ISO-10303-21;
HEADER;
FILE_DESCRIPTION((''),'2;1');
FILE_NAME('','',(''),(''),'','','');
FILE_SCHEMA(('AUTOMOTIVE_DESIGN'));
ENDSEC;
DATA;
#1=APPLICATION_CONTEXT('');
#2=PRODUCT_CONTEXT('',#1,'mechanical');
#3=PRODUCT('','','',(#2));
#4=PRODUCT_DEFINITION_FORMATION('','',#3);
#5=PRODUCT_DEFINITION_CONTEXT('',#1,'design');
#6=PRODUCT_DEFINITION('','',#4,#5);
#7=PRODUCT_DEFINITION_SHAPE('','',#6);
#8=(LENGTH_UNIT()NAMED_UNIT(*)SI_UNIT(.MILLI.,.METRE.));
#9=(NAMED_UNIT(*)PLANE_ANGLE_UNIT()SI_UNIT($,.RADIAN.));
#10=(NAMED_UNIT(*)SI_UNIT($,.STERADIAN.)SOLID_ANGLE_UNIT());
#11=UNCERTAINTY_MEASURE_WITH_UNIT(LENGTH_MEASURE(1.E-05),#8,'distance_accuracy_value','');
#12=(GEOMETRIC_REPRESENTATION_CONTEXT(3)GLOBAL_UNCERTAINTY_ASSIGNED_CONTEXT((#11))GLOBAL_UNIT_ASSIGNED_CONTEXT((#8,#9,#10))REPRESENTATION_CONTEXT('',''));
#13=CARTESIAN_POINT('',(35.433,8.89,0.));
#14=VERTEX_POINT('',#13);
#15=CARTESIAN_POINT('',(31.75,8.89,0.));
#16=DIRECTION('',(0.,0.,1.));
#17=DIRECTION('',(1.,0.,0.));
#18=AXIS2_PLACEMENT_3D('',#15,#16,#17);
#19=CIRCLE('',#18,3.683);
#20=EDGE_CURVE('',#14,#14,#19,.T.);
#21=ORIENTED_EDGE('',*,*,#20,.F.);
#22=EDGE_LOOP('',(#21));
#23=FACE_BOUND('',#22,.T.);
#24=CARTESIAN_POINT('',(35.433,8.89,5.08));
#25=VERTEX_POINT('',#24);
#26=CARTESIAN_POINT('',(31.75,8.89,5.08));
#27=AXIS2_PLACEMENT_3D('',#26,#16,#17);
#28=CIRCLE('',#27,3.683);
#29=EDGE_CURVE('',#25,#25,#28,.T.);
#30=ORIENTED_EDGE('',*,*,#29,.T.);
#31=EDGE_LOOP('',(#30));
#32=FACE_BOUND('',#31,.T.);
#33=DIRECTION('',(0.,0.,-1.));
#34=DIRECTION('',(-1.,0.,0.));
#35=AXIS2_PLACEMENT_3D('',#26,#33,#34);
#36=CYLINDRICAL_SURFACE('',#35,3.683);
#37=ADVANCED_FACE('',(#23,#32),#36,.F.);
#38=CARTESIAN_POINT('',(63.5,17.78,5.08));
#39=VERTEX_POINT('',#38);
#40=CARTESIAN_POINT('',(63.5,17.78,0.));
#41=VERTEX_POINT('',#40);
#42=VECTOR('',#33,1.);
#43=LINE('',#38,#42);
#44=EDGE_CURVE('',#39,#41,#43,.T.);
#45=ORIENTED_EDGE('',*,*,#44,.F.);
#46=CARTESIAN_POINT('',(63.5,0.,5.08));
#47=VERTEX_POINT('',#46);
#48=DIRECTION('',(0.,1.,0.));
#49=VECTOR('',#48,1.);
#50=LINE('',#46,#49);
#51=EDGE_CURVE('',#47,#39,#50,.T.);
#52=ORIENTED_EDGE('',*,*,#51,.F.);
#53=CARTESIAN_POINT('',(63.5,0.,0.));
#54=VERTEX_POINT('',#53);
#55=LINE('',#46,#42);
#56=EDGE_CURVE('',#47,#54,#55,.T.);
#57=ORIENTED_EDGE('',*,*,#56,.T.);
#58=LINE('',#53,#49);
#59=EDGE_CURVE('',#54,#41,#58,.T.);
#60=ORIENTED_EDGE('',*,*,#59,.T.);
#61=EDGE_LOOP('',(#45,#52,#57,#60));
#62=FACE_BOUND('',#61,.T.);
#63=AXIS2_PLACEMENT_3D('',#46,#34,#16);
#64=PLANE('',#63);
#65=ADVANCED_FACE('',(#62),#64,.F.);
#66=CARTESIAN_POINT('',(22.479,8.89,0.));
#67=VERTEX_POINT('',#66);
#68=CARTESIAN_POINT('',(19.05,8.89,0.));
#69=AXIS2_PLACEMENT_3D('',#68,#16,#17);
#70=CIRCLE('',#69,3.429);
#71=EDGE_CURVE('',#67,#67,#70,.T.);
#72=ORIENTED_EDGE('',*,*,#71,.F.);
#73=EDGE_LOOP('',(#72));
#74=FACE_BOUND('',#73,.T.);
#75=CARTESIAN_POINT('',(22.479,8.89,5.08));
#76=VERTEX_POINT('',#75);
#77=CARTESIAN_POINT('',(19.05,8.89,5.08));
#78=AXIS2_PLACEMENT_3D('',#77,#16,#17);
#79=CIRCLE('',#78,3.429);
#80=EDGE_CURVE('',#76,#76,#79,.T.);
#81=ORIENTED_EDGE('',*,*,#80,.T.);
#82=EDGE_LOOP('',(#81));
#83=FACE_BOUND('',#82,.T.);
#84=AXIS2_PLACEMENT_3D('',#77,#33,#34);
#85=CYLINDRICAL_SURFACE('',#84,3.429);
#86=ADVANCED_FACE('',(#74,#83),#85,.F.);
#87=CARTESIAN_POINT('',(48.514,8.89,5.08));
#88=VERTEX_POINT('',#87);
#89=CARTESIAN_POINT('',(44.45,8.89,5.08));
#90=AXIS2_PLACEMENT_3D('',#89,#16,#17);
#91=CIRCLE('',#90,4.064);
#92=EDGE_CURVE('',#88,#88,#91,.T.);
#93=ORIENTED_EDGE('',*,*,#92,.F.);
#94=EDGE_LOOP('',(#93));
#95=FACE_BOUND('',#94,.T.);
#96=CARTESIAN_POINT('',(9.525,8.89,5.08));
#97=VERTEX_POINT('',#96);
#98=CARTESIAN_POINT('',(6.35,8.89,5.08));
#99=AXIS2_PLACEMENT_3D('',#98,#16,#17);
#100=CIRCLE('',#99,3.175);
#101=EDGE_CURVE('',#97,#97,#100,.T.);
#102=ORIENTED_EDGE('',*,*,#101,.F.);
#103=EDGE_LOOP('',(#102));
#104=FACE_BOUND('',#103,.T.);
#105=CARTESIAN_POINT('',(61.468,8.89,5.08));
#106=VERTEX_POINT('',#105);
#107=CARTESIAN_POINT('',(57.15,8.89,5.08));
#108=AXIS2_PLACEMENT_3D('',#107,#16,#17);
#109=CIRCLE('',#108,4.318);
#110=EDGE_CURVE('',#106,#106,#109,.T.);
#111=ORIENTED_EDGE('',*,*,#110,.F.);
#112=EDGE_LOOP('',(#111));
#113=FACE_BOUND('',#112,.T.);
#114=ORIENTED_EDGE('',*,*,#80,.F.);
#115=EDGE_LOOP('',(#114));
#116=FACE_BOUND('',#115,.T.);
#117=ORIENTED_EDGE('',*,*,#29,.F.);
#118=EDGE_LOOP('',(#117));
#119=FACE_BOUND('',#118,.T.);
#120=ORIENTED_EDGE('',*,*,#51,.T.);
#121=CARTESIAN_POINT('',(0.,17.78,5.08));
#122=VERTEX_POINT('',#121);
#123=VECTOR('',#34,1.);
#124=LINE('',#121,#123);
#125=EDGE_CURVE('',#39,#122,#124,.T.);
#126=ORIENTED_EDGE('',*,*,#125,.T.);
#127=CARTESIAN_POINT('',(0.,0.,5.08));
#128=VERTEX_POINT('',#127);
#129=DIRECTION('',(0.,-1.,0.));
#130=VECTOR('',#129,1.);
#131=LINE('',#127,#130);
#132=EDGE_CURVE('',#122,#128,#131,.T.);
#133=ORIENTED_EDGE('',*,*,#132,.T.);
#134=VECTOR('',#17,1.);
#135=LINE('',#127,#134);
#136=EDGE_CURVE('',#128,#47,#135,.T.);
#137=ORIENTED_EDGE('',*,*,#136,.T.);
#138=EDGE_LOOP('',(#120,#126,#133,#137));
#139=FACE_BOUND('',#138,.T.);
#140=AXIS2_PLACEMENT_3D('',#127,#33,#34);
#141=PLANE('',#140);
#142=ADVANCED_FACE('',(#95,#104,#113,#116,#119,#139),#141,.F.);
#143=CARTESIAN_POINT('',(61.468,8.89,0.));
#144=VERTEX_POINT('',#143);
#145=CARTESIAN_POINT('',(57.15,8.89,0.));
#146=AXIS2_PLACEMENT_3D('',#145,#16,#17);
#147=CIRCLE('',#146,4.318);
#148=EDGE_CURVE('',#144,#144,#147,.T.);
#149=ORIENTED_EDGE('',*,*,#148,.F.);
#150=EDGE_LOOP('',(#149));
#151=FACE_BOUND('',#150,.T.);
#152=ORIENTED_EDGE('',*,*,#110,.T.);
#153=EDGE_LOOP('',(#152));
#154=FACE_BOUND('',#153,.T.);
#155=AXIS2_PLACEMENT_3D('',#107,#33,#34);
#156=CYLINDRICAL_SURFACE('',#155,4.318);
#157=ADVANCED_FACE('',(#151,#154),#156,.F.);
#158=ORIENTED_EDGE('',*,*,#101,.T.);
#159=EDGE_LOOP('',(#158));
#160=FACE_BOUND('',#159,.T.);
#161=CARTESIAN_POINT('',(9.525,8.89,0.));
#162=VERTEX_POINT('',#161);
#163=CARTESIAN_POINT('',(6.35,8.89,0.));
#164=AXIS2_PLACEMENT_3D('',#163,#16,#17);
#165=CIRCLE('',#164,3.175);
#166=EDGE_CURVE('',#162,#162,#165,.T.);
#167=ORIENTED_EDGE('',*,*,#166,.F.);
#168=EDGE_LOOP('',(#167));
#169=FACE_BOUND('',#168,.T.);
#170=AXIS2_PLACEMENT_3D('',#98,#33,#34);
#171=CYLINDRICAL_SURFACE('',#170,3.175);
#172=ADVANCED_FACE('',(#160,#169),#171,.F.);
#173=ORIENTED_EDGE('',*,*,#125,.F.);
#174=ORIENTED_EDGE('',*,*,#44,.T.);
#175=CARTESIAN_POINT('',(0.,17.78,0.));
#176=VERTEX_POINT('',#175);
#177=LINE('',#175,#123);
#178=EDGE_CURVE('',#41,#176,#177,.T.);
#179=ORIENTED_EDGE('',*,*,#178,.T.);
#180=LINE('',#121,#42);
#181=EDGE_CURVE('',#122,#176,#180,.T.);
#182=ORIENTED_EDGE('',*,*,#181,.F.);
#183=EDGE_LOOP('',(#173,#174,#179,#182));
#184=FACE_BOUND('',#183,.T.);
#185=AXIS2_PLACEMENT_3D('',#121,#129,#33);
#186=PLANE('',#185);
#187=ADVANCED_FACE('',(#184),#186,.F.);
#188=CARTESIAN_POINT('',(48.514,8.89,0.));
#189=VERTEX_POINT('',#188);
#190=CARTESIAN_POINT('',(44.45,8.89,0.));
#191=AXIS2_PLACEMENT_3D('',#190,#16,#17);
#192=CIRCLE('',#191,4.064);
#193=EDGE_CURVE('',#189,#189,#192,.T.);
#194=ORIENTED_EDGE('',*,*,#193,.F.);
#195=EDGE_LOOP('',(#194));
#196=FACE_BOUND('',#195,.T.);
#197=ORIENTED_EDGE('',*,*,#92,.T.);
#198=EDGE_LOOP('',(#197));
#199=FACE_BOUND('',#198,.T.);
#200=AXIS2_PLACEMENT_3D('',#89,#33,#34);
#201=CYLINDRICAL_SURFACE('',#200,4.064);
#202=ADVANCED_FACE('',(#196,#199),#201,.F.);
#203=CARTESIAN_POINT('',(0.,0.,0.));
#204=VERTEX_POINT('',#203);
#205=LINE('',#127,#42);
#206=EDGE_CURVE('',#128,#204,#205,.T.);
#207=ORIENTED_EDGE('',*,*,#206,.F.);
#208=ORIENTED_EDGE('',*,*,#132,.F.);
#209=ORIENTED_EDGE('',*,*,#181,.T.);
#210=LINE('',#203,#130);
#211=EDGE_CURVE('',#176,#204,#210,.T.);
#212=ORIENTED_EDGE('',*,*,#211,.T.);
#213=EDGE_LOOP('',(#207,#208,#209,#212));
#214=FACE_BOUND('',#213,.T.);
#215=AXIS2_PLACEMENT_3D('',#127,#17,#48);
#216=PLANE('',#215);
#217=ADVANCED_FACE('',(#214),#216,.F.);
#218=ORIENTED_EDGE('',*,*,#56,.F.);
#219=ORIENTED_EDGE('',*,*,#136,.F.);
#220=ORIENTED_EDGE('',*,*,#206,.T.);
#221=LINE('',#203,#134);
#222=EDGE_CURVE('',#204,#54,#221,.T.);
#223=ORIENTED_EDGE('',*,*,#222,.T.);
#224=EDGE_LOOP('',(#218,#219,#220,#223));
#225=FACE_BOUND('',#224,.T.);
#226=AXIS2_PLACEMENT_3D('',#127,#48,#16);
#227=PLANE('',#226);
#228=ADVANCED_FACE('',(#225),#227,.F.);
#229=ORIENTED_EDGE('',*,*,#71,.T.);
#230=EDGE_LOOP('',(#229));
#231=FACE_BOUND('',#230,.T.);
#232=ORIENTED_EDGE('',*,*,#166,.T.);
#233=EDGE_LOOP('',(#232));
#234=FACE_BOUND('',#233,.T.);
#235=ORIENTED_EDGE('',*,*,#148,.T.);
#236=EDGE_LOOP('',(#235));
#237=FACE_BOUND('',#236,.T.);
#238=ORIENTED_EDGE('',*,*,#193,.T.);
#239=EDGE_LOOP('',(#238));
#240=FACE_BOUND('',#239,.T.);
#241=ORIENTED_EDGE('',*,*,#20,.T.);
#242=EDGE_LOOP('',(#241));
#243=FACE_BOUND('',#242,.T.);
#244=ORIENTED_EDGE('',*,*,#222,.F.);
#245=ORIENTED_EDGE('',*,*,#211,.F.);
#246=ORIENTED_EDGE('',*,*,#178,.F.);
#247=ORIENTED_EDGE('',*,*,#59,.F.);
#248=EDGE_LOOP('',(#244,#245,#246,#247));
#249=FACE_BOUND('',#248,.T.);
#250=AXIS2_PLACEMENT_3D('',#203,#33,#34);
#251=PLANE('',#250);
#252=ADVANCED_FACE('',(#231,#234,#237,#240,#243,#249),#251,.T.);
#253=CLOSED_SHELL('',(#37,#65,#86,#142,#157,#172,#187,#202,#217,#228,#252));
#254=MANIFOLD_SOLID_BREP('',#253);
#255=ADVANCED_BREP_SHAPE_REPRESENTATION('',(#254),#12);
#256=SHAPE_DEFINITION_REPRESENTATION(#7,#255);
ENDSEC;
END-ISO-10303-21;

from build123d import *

# Parameters (mm, degrees)
SKETCH1_W           = 63.5
SKETCH1_H           = 17.78
SKETCH1_R           = 3.175
SKETCH1_R_2         = 3.429
SKETCH1_R_3         = 3.683
SKETCH1_R_4         = 4.064
SKETCH1_R_5         = 4.318
BOSS_EXTRUDE1_DEPTH = 5.08


with BuildPart() as part:
    # Sketch1 → Boss-Extrude1 (new body)
    with BuildSketch(Plane.XY):
        with Locations((31.75, 8.89)):
            Rectangle(SKETCH1_W, SKETCH1_H)
        with Locations((6.35, 8.89)):
            Circle(SKETCH1_R, mode=Mode.SUBTRACT)
        with Locations((19.05, 8.89)):
            Circle(SKETCH1_R_2, mode=Mode.SUBTRACT)
        with Locations((31.75, 8.89)):
            Circle(SKETCH1_R_3, mode=Mode.SUBTRACT)
        with Locations((44.45, 8.89)):
            Circle(SKETCH1_R_4, mode=Mode.SUBTRACT)
        with Locations((57.15, 8.89)):
            Circle(SKETCH1_R_5, mode=Mode.SUBTRACT)
    extrude(amount=BOSS_EXTRUDE1_DEPTH)


solid = part.part
